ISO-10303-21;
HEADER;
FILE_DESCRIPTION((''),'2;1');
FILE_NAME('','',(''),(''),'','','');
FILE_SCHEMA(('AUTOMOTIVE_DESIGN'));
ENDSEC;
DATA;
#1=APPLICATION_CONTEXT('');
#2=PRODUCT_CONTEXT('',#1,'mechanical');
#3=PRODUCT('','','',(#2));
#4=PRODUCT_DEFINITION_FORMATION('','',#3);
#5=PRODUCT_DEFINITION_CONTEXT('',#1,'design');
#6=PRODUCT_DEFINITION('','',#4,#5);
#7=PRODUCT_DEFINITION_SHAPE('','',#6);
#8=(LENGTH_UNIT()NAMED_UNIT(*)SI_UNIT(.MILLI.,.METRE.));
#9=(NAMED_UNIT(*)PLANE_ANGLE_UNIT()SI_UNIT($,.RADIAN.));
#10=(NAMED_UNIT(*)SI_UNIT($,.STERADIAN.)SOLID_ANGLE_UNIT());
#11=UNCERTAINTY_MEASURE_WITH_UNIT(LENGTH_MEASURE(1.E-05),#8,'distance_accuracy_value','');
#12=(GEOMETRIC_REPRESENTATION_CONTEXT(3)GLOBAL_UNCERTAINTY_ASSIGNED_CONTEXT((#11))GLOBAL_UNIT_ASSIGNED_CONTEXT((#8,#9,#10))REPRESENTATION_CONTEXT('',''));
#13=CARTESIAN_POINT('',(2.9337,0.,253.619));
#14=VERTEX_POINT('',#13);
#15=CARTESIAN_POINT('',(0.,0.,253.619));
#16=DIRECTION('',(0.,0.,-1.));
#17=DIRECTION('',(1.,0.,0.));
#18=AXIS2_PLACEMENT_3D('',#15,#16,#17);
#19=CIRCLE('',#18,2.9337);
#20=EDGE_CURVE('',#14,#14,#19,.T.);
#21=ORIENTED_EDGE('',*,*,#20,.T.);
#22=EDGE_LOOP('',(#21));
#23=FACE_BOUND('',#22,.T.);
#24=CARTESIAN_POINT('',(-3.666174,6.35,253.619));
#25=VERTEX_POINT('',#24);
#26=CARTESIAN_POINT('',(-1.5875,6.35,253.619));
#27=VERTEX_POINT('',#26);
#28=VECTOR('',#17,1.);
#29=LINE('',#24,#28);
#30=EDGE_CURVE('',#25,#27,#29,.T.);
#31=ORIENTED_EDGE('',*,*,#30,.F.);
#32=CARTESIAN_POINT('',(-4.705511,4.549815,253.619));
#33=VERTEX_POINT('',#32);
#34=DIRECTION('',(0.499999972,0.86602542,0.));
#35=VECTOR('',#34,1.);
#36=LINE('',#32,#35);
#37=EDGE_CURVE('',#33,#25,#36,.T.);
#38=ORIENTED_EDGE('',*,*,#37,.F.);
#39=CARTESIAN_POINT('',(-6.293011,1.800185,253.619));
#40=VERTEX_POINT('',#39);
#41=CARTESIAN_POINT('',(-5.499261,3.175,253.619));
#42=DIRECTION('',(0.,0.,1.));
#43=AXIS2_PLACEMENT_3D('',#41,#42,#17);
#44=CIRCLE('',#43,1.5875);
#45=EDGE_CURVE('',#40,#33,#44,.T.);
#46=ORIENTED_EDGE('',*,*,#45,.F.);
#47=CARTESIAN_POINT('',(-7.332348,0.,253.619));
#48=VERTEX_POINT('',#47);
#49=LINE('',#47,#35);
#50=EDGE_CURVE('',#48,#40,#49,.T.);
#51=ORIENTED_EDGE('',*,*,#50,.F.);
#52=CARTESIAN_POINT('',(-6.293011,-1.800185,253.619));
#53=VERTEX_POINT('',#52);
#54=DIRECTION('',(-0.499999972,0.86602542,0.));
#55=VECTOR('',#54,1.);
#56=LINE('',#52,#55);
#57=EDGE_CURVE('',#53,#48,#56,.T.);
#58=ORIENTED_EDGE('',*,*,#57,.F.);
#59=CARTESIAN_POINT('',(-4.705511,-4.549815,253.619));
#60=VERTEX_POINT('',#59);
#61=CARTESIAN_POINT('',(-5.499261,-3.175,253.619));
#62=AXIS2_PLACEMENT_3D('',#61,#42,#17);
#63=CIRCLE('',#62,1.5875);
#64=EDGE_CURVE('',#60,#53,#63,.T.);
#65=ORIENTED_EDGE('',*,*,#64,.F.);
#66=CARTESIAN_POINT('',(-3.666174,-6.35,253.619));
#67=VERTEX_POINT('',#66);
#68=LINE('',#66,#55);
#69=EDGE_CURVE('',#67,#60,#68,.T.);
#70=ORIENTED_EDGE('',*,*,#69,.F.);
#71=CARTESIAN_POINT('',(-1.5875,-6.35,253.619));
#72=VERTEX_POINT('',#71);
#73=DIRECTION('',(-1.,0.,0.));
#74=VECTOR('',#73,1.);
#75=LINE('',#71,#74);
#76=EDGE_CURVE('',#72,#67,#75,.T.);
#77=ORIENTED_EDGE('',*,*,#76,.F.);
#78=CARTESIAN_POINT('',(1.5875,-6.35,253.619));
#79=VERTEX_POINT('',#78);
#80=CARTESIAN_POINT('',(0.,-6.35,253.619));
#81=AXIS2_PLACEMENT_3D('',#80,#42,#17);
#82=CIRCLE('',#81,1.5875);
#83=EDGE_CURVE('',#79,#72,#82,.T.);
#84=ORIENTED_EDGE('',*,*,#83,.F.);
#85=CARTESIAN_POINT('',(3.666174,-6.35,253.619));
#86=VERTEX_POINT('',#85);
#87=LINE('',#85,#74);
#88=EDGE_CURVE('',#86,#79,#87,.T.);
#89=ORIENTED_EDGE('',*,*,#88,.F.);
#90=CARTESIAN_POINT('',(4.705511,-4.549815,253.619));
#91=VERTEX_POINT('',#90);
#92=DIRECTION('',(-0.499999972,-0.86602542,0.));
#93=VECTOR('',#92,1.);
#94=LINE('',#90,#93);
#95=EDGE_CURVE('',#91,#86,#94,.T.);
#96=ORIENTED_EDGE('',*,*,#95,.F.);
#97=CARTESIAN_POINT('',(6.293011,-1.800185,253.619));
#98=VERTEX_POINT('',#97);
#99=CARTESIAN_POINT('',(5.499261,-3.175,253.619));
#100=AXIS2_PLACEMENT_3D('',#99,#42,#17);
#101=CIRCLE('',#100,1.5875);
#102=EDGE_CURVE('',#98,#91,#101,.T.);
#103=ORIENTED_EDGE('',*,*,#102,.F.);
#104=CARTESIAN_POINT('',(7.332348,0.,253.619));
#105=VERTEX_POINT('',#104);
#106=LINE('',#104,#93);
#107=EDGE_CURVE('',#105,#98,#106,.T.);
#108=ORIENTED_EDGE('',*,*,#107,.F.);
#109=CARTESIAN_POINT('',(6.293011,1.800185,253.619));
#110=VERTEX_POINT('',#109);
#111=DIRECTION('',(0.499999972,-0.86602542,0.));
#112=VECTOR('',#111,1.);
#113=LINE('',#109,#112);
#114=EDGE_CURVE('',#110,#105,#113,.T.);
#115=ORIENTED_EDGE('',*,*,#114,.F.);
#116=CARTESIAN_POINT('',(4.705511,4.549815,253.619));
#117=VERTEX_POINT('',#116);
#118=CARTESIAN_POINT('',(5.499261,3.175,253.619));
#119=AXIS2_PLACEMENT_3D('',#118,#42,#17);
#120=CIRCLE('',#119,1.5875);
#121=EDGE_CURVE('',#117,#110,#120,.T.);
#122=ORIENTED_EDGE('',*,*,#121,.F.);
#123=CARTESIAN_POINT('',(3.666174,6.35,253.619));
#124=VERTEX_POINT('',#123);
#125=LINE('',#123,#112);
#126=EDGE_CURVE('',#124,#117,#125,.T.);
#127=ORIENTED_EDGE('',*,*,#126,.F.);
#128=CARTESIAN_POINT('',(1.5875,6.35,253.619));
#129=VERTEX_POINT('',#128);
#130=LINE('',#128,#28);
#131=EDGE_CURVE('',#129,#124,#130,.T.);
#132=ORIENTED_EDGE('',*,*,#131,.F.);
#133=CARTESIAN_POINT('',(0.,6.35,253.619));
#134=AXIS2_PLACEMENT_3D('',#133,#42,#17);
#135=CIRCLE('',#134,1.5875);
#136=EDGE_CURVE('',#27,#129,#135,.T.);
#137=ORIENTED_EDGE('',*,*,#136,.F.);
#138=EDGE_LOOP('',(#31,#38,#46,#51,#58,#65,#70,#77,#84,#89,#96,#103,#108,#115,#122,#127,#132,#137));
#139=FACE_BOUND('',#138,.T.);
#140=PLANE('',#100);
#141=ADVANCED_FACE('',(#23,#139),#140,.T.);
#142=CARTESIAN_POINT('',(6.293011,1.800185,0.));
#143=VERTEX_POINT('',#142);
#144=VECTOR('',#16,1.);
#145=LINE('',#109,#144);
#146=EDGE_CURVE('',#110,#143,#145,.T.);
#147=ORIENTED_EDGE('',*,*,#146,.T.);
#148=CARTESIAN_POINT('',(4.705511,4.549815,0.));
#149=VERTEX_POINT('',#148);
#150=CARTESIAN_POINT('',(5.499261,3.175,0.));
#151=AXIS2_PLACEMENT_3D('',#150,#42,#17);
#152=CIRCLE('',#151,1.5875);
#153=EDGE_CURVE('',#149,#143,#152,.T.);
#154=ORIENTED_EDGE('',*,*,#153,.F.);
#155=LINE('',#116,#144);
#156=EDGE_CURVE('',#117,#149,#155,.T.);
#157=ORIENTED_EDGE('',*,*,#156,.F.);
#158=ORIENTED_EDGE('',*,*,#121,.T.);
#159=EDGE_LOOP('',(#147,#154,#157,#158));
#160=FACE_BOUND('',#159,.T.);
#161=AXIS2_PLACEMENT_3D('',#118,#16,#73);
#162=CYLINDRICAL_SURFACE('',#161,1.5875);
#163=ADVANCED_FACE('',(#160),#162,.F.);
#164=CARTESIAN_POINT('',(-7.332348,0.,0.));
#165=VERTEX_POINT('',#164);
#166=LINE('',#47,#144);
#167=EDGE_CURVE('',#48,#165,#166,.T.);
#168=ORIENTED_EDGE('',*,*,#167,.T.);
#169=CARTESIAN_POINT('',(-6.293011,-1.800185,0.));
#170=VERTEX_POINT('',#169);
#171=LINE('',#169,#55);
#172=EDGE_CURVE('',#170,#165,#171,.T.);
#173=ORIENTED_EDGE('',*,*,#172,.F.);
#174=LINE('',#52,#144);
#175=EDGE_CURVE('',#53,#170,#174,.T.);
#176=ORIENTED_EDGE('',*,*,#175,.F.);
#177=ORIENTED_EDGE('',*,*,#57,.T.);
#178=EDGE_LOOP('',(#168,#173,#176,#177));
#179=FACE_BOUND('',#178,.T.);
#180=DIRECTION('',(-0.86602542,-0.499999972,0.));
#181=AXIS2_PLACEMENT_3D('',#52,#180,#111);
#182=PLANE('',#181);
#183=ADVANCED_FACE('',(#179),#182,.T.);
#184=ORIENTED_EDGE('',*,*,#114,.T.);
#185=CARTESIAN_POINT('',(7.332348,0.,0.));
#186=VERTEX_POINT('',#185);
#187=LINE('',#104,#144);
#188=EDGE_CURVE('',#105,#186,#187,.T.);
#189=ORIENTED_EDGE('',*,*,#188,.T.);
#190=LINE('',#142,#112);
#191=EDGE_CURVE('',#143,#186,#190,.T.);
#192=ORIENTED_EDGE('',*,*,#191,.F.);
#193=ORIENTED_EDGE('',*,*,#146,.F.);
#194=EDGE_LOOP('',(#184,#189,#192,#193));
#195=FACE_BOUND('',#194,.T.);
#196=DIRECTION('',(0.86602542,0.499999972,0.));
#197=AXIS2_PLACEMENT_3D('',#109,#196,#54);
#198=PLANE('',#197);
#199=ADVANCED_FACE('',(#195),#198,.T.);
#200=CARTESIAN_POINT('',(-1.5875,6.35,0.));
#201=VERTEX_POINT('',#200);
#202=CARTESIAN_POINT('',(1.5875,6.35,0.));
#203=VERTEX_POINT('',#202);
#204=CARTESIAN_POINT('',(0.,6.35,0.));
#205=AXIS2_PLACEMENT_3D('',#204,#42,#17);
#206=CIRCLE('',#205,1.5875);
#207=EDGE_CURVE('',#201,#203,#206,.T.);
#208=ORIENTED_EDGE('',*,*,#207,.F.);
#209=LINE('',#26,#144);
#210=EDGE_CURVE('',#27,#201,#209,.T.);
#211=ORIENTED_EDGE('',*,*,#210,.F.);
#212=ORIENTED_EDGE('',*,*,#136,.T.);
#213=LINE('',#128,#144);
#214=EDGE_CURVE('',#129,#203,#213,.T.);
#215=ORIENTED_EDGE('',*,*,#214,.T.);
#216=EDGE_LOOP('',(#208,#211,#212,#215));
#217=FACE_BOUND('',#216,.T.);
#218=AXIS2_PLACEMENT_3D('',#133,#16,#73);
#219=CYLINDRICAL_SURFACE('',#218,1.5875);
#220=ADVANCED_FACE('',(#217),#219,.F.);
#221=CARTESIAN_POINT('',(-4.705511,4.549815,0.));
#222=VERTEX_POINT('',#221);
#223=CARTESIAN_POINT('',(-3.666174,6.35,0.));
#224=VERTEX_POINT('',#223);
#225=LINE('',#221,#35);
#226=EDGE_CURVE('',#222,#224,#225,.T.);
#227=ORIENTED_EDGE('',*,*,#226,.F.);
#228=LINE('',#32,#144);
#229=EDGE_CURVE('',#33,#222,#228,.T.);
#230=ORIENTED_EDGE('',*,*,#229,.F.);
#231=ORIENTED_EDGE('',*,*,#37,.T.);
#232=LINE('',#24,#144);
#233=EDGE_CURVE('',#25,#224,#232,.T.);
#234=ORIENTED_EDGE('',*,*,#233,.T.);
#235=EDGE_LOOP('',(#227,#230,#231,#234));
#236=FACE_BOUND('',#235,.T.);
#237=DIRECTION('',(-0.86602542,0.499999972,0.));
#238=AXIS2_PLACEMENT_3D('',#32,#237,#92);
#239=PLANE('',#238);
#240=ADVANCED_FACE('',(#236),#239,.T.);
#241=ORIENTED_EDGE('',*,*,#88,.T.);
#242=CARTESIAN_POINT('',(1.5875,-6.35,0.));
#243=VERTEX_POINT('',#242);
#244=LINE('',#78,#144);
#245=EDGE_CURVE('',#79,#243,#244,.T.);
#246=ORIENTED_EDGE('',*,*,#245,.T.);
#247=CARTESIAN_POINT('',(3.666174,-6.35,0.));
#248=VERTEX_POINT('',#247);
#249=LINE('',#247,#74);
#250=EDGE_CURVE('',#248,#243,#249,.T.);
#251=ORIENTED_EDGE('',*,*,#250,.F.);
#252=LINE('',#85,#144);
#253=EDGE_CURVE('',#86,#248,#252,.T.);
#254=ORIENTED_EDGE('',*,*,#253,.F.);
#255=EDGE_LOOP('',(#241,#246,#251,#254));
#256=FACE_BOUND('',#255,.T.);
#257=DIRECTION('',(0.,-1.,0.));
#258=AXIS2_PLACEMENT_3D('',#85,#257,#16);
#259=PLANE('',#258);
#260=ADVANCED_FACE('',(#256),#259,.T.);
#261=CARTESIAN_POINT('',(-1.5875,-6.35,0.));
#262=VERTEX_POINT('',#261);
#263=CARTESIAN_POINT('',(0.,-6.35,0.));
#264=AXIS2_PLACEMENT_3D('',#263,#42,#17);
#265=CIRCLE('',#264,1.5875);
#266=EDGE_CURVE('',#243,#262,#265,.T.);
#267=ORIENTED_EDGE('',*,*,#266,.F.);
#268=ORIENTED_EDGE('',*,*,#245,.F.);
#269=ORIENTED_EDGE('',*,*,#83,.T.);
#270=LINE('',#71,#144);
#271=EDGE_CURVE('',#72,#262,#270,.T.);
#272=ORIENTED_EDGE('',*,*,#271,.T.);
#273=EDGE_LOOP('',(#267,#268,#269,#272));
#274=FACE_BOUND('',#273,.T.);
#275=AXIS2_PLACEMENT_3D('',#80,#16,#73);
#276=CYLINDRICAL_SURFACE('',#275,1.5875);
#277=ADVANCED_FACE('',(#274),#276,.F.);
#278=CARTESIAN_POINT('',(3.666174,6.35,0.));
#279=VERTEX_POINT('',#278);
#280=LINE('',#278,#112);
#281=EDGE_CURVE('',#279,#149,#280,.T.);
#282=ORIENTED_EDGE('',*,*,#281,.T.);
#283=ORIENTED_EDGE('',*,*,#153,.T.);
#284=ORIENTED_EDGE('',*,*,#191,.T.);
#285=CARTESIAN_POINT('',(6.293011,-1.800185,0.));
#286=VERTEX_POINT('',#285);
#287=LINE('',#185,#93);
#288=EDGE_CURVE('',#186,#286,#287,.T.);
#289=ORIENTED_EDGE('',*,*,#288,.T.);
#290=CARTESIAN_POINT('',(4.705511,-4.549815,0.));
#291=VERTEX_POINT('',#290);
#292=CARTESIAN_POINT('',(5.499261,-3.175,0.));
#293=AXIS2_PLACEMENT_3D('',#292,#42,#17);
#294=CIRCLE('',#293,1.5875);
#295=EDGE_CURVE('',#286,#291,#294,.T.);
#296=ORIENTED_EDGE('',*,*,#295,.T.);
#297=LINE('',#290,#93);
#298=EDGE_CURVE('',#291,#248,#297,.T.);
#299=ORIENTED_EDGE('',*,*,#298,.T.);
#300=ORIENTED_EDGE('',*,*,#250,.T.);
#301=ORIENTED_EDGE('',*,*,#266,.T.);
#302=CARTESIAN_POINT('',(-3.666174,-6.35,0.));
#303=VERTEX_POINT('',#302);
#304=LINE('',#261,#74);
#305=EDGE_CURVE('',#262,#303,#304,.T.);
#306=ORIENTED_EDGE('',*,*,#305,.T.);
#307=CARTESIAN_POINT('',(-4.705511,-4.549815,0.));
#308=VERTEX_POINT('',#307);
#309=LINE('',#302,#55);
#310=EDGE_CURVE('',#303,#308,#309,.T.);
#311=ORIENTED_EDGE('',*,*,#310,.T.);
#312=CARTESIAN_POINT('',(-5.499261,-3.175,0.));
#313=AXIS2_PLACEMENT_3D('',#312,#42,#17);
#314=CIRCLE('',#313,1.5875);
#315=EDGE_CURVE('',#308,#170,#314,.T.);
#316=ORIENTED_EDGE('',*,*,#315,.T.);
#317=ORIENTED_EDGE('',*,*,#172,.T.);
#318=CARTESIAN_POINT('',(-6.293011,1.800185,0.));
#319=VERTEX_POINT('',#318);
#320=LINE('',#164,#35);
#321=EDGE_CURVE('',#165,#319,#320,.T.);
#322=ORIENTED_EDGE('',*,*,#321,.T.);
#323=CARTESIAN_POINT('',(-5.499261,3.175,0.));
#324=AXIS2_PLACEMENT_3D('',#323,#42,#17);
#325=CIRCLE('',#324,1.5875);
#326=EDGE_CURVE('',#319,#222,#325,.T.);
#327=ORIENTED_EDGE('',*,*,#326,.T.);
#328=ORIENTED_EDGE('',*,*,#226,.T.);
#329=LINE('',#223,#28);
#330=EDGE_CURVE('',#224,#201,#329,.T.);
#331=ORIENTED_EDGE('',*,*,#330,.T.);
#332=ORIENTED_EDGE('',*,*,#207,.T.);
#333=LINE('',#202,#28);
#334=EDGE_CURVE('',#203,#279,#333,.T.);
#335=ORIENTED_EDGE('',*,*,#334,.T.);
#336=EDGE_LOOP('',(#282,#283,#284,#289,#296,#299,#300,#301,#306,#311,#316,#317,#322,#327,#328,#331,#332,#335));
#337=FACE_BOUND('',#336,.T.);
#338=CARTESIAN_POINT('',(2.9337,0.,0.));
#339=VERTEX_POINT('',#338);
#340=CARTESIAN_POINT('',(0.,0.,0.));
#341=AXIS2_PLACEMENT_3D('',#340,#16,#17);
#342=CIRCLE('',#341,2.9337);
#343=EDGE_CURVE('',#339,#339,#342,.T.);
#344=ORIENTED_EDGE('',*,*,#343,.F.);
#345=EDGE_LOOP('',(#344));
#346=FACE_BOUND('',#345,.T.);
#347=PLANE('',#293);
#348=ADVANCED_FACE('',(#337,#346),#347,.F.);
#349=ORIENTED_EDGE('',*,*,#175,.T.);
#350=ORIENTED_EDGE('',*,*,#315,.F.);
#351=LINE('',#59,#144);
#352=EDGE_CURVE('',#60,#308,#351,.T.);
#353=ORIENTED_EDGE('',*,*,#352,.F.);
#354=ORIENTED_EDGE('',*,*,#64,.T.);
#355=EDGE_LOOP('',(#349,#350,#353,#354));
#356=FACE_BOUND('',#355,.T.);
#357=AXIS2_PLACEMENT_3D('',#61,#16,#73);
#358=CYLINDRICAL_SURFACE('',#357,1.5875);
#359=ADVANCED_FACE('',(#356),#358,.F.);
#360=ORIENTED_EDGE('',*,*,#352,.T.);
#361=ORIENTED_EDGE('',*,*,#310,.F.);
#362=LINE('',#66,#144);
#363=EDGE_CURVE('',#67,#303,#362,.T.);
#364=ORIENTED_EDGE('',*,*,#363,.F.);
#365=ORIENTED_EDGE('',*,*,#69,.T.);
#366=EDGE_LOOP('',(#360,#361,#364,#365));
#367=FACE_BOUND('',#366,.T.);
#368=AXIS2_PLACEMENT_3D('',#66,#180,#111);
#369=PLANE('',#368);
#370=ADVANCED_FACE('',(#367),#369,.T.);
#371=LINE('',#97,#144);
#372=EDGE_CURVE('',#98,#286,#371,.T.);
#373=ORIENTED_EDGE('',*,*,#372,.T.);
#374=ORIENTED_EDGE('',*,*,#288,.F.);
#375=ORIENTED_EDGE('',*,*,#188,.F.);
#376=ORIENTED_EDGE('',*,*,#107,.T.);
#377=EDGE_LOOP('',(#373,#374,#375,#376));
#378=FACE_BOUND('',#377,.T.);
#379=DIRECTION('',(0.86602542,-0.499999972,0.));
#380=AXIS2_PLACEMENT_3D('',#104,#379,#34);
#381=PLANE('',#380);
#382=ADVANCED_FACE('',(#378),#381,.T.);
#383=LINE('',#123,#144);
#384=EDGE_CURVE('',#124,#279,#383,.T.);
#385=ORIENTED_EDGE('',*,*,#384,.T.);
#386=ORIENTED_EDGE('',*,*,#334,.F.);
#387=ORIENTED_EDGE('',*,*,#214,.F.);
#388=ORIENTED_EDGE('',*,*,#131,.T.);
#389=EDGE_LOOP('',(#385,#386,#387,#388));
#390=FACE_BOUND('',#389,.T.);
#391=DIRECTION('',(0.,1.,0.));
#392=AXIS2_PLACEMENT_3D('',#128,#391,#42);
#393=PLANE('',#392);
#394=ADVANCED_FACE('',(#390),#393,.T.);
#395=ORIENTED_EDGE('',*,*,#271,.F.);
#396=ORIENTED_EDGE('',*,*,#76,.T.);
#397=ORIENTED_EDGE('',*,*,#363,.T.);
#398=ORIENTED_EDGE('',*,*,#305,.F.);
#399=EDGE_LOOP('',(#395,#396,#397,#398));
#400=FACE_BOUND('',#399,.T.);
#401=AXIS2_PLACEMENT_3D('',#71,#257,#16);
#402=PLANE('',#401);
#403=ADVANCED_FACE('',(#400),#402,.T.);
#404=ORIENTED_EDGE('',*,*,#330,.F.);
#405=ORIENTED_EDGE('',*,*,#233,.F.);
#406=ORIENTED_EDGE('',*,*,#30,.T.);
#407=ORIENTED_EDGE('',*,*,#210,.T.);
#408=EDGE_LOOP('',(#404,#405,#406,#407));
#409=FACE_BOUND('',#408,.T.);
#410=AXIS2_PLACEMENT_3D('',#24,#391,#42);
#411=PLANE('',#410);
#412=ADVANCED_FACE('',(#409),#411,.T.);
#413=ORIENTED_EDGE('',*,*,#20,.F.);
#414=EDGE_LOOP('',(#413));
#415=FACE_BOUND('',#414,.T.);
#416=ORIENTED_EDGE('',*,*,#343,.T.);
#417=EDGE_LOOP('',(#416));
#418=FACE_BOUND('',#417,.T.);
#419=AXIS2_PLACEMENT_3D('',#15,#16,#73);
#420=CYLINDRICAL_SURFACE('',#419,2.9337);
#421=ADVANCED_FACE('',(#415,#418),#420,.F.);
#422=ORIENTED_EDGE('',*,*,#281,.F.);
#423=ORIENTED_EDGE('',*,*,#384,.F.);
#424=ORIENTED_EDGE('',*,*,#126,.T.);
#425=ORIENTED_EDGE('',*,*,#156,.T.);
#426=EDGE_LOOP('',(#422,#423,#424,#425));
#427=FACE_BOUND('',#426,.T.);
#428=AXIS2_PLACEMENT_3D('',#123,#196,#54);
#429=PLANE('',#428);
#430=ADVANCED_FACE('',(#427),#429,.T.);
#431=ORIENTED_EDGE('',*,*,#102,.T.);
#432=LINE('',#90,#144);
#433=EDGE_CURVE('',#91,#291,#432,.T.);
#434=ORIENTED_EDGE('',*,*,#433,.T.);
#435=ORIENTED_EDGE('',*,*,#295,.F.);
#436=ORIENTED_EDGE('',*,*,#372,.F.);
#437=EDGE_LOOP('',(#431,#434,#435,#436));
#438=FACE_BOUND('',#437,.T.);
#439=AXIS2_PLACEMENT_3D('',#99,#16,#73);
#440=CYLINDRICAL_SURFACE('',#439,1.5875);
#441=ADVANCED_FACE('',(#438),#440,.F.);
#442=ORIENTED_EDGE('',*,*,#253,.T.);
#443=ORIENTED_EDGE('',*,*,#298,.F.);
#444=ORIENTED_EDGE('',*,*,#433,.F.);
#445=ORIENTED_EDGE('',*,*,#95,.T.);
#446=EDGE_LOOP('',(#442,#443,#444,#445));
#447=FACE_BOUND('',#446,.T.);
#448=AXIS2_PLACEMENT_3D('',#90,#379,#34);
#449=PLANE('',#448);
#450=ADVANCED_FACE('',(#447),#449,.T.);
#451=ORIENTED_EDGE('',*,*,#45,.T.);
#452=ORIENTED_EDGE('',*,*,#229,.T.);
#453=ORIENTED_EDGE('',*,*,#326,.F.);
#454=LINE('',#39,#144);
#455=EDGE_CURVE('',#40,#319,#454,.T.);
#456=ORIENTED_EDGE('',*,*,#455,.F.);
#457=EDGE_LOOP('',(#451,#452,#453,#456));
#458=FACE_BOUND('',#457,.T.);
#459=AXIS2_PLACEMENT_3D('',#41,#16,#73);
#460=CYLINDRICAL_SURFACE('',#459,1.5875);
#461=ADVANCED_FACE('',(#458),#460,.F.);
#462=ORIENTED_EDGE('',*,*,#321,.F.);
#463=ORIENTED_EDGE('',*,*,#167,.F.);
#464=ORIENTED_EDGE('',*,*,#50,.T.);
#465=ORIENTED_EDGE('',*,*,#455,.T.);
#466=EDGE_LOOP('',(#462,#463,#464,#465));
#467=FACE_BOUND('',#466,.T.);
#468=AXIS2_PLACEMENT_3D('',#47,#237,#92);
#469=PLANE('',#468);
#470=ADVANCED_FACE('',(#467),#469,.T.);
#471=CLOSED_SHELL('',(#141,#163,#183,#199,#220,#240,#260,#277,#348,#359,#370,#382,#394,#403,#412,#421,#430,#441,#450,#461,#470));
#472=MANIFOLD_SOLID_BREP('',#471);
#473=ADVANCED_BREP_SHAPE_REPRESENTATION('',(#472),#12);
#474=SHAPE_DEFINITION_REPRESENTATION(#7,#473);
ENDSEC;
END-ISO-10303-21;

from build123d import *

# Parameters (mm, degrees)
SKETCH1_R           = 2.9337
BOSS_EXTRUDE1_DEPTH = 253.619


with BuildPart() as part:
    # Sketch1 → Boss-Extrude1 (new body)
    with BuildSketch(Plane(origin=(0, 0, 0), x_dir=(-1, 0, 0), z_dir=(0, 0, -1))):
        with BuildLine():
            Line((-4.705511279, -4.549815428), (-3.666174225, -6.350000147))
            Line((-3.666174225, -6.350000147), (-1.5875, -6.350000147))
            ThreePointArc((-1.5875, -6.350000147), (0, -4.762500147), (1.5875, -6.350000147))
            Line((1.5875, -6.350000147), (3.666174225, -6.350000147))
            Line((3.666174225, -6.350000147), (4.705511279, -4.549815428))
            ThreePointArc((4.705511279, -4.549815428), (4.124445879, -2.381250118), (6.293011189, -1.800184719))
            Line((6.293011189, -1.800184719), (7.332348243, 0))
            Line((7.332348243, 0), (6.293011189, 1.800184719))
            ThreePointArc((6.293011189, 1.800184719), (4.124445879, 2.381250118), (4.705511279, 4.549815428))
            Line((4.705511279, 4.549815428), (3.666174225, 6.350000147))
            Line((3.666174225, 6.350000147), (1.5875, 6.350000147))
            ThreePointArc((1.5875, 6.350000147), (0, 4.762500147), (-1.5875, 6.350000147))
            Line((-1.5875, 6.350000147), (-3.666174225, 6.350000147))
            Line((-3.666174225, 6.350000147), (-4.705511279, 4.549815428))
            ThreePointArc((-4.705511279, 4.549815428), (-4.124445879, 2.381250118), (-6.293011189, 1.800184719))
            Line((-6.293011189, 1.800184719), (-7.332348243, 0))
            Line((-7.332348243, 0), (-6.293011189, -1.800184719))
            ThreePointArc((-6.293011189, -1.800184719), (-4.124445879, -2.381250118), (-4.705511279, -4.549815428))
        make_face()
        Circle(SKETCH1_R, mode=Mode.SUBTRACT)
    extrude(amount=-BOSS_EXTRUDE1_DEPTH)


solid = part.part
